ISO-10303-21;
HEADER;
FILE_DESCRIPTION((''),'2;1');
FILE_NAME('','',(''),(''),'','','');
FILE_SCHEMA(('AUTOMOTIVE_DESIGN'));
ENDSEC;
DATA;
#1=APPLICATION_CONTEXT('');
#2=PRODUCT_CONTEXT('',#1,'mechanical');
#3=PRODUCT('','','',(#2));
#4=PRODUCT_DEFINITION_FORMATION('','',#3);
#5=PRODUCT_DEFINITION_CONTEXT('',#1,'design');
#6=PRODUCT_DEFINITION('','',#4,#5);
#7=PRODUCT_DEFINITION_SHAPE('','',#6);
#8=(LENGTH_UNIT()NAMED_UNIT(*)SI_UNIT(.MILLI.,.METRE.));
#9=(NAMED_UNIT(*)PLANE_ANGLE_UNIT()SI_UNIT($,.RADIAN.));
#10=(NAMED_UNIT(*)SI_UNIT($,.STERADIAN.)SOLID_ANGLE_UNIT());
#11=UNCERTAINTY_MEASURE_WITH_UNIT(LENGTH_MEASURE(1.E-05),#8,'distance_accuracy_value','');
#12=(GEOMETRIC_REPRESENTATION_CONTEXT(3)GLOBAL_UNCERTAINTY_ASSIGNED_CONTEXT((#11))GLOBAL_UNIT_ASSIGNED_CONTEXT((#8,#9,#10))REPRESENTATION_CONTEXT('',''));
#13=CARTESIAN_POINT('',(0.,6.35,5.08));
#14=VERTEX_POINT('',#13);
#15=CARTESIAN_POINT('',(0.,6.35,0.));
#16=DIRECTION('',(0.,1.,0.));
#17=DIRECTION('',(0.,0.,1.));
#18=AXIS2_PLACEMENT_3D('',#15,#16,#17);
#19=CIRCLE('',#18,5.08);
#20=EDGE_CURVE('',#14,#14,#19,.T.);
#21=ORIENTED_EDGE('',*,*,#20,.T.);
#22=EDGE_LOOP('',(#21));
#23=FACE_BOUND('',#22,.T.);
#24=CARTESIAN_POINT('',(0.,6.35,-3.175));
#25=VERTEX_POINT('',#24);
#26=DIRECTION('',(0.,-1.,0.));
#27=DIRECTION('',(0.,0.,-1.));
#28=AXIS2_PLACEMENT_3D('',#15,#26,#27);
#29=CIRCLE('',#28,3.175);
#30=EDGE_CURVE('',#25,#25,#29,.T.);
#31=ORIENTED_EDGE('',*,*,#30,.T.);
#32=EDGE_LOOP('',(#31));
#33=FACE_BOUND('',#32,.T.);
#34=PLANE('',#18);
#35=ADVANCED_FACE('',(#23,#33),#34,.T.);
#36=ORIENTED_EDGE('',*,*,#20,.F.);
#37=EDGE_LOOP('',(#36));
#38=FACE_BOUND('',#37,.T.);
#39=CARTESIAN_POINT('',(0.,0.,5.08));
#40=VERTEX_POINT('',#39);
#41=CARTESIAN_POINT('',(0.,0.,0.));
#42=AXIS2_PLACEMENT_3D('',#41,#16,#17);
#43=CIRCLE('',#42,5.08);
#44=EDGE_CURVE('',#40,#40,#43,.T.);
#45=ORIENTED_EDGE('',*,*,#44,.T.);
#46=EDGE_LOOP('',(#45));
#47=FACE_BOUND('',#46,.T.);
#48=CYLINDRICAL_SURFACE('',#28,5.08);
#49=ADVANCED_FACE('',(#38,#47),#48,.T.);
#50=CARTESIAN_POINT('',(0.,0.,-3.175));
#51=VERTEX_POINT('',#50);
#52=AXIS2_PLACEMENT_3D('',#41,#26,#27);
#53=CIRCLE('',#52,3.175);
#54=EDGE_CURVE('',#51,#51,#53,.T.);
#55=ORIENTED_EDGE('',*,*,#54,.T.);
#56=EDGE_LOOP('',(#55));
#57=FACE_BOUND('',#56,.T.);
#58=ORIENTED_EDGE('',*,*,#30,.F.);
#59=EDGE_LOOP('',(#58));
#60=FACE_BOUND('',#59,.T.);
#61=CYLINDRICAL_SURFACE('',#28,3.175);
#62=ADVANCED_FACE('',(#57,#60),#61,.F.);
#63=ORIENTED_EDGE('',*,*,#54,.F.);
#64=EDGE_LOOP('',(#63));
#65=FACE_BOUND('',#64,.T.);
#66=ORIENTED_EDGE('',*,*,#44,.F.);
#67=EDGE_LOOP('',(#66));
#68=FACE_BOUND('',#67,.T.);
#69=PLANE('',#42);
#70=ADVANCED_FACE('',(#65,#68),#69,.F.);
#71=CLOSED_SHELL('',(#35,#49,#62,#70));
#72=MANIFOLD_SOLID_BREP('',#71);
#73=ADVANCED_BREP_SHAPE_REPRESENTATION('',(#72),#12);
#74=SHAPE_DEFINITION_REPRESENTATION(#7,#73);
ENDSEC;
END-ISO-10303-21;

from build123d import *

# Parameters (mm, degrees)
SKETCH1_R           = 5.08
BOSS_EXTRUDE1_DEPTH = 6.35
SKETCH2_R           = 3.175
CUT_EXTRUDE1_DEPTH  = 7.35


with BuildPart() as part:
    # Sketch1 → Boss-Extrude1 (new body)
    with BuildSketch(Plane(origin=(0, 0, 0), x_dir=(1, 0, 0), z_dir=(0, 1, 0))):
        Circle(SKETCH1_R)
    extrude(amount=BOSS_EXTRUDE1_DEPTH)

    # Sketch2 → Cut-Extrude1 (cut, through all)
    with BuildSketch(Plane.XZ):
        Circle(SKETCH2_R)
    extrude(amount=-CUT_EXTRUDE1_DEPTH, mode=Mode.SUBTRACT)


solid = part.part
